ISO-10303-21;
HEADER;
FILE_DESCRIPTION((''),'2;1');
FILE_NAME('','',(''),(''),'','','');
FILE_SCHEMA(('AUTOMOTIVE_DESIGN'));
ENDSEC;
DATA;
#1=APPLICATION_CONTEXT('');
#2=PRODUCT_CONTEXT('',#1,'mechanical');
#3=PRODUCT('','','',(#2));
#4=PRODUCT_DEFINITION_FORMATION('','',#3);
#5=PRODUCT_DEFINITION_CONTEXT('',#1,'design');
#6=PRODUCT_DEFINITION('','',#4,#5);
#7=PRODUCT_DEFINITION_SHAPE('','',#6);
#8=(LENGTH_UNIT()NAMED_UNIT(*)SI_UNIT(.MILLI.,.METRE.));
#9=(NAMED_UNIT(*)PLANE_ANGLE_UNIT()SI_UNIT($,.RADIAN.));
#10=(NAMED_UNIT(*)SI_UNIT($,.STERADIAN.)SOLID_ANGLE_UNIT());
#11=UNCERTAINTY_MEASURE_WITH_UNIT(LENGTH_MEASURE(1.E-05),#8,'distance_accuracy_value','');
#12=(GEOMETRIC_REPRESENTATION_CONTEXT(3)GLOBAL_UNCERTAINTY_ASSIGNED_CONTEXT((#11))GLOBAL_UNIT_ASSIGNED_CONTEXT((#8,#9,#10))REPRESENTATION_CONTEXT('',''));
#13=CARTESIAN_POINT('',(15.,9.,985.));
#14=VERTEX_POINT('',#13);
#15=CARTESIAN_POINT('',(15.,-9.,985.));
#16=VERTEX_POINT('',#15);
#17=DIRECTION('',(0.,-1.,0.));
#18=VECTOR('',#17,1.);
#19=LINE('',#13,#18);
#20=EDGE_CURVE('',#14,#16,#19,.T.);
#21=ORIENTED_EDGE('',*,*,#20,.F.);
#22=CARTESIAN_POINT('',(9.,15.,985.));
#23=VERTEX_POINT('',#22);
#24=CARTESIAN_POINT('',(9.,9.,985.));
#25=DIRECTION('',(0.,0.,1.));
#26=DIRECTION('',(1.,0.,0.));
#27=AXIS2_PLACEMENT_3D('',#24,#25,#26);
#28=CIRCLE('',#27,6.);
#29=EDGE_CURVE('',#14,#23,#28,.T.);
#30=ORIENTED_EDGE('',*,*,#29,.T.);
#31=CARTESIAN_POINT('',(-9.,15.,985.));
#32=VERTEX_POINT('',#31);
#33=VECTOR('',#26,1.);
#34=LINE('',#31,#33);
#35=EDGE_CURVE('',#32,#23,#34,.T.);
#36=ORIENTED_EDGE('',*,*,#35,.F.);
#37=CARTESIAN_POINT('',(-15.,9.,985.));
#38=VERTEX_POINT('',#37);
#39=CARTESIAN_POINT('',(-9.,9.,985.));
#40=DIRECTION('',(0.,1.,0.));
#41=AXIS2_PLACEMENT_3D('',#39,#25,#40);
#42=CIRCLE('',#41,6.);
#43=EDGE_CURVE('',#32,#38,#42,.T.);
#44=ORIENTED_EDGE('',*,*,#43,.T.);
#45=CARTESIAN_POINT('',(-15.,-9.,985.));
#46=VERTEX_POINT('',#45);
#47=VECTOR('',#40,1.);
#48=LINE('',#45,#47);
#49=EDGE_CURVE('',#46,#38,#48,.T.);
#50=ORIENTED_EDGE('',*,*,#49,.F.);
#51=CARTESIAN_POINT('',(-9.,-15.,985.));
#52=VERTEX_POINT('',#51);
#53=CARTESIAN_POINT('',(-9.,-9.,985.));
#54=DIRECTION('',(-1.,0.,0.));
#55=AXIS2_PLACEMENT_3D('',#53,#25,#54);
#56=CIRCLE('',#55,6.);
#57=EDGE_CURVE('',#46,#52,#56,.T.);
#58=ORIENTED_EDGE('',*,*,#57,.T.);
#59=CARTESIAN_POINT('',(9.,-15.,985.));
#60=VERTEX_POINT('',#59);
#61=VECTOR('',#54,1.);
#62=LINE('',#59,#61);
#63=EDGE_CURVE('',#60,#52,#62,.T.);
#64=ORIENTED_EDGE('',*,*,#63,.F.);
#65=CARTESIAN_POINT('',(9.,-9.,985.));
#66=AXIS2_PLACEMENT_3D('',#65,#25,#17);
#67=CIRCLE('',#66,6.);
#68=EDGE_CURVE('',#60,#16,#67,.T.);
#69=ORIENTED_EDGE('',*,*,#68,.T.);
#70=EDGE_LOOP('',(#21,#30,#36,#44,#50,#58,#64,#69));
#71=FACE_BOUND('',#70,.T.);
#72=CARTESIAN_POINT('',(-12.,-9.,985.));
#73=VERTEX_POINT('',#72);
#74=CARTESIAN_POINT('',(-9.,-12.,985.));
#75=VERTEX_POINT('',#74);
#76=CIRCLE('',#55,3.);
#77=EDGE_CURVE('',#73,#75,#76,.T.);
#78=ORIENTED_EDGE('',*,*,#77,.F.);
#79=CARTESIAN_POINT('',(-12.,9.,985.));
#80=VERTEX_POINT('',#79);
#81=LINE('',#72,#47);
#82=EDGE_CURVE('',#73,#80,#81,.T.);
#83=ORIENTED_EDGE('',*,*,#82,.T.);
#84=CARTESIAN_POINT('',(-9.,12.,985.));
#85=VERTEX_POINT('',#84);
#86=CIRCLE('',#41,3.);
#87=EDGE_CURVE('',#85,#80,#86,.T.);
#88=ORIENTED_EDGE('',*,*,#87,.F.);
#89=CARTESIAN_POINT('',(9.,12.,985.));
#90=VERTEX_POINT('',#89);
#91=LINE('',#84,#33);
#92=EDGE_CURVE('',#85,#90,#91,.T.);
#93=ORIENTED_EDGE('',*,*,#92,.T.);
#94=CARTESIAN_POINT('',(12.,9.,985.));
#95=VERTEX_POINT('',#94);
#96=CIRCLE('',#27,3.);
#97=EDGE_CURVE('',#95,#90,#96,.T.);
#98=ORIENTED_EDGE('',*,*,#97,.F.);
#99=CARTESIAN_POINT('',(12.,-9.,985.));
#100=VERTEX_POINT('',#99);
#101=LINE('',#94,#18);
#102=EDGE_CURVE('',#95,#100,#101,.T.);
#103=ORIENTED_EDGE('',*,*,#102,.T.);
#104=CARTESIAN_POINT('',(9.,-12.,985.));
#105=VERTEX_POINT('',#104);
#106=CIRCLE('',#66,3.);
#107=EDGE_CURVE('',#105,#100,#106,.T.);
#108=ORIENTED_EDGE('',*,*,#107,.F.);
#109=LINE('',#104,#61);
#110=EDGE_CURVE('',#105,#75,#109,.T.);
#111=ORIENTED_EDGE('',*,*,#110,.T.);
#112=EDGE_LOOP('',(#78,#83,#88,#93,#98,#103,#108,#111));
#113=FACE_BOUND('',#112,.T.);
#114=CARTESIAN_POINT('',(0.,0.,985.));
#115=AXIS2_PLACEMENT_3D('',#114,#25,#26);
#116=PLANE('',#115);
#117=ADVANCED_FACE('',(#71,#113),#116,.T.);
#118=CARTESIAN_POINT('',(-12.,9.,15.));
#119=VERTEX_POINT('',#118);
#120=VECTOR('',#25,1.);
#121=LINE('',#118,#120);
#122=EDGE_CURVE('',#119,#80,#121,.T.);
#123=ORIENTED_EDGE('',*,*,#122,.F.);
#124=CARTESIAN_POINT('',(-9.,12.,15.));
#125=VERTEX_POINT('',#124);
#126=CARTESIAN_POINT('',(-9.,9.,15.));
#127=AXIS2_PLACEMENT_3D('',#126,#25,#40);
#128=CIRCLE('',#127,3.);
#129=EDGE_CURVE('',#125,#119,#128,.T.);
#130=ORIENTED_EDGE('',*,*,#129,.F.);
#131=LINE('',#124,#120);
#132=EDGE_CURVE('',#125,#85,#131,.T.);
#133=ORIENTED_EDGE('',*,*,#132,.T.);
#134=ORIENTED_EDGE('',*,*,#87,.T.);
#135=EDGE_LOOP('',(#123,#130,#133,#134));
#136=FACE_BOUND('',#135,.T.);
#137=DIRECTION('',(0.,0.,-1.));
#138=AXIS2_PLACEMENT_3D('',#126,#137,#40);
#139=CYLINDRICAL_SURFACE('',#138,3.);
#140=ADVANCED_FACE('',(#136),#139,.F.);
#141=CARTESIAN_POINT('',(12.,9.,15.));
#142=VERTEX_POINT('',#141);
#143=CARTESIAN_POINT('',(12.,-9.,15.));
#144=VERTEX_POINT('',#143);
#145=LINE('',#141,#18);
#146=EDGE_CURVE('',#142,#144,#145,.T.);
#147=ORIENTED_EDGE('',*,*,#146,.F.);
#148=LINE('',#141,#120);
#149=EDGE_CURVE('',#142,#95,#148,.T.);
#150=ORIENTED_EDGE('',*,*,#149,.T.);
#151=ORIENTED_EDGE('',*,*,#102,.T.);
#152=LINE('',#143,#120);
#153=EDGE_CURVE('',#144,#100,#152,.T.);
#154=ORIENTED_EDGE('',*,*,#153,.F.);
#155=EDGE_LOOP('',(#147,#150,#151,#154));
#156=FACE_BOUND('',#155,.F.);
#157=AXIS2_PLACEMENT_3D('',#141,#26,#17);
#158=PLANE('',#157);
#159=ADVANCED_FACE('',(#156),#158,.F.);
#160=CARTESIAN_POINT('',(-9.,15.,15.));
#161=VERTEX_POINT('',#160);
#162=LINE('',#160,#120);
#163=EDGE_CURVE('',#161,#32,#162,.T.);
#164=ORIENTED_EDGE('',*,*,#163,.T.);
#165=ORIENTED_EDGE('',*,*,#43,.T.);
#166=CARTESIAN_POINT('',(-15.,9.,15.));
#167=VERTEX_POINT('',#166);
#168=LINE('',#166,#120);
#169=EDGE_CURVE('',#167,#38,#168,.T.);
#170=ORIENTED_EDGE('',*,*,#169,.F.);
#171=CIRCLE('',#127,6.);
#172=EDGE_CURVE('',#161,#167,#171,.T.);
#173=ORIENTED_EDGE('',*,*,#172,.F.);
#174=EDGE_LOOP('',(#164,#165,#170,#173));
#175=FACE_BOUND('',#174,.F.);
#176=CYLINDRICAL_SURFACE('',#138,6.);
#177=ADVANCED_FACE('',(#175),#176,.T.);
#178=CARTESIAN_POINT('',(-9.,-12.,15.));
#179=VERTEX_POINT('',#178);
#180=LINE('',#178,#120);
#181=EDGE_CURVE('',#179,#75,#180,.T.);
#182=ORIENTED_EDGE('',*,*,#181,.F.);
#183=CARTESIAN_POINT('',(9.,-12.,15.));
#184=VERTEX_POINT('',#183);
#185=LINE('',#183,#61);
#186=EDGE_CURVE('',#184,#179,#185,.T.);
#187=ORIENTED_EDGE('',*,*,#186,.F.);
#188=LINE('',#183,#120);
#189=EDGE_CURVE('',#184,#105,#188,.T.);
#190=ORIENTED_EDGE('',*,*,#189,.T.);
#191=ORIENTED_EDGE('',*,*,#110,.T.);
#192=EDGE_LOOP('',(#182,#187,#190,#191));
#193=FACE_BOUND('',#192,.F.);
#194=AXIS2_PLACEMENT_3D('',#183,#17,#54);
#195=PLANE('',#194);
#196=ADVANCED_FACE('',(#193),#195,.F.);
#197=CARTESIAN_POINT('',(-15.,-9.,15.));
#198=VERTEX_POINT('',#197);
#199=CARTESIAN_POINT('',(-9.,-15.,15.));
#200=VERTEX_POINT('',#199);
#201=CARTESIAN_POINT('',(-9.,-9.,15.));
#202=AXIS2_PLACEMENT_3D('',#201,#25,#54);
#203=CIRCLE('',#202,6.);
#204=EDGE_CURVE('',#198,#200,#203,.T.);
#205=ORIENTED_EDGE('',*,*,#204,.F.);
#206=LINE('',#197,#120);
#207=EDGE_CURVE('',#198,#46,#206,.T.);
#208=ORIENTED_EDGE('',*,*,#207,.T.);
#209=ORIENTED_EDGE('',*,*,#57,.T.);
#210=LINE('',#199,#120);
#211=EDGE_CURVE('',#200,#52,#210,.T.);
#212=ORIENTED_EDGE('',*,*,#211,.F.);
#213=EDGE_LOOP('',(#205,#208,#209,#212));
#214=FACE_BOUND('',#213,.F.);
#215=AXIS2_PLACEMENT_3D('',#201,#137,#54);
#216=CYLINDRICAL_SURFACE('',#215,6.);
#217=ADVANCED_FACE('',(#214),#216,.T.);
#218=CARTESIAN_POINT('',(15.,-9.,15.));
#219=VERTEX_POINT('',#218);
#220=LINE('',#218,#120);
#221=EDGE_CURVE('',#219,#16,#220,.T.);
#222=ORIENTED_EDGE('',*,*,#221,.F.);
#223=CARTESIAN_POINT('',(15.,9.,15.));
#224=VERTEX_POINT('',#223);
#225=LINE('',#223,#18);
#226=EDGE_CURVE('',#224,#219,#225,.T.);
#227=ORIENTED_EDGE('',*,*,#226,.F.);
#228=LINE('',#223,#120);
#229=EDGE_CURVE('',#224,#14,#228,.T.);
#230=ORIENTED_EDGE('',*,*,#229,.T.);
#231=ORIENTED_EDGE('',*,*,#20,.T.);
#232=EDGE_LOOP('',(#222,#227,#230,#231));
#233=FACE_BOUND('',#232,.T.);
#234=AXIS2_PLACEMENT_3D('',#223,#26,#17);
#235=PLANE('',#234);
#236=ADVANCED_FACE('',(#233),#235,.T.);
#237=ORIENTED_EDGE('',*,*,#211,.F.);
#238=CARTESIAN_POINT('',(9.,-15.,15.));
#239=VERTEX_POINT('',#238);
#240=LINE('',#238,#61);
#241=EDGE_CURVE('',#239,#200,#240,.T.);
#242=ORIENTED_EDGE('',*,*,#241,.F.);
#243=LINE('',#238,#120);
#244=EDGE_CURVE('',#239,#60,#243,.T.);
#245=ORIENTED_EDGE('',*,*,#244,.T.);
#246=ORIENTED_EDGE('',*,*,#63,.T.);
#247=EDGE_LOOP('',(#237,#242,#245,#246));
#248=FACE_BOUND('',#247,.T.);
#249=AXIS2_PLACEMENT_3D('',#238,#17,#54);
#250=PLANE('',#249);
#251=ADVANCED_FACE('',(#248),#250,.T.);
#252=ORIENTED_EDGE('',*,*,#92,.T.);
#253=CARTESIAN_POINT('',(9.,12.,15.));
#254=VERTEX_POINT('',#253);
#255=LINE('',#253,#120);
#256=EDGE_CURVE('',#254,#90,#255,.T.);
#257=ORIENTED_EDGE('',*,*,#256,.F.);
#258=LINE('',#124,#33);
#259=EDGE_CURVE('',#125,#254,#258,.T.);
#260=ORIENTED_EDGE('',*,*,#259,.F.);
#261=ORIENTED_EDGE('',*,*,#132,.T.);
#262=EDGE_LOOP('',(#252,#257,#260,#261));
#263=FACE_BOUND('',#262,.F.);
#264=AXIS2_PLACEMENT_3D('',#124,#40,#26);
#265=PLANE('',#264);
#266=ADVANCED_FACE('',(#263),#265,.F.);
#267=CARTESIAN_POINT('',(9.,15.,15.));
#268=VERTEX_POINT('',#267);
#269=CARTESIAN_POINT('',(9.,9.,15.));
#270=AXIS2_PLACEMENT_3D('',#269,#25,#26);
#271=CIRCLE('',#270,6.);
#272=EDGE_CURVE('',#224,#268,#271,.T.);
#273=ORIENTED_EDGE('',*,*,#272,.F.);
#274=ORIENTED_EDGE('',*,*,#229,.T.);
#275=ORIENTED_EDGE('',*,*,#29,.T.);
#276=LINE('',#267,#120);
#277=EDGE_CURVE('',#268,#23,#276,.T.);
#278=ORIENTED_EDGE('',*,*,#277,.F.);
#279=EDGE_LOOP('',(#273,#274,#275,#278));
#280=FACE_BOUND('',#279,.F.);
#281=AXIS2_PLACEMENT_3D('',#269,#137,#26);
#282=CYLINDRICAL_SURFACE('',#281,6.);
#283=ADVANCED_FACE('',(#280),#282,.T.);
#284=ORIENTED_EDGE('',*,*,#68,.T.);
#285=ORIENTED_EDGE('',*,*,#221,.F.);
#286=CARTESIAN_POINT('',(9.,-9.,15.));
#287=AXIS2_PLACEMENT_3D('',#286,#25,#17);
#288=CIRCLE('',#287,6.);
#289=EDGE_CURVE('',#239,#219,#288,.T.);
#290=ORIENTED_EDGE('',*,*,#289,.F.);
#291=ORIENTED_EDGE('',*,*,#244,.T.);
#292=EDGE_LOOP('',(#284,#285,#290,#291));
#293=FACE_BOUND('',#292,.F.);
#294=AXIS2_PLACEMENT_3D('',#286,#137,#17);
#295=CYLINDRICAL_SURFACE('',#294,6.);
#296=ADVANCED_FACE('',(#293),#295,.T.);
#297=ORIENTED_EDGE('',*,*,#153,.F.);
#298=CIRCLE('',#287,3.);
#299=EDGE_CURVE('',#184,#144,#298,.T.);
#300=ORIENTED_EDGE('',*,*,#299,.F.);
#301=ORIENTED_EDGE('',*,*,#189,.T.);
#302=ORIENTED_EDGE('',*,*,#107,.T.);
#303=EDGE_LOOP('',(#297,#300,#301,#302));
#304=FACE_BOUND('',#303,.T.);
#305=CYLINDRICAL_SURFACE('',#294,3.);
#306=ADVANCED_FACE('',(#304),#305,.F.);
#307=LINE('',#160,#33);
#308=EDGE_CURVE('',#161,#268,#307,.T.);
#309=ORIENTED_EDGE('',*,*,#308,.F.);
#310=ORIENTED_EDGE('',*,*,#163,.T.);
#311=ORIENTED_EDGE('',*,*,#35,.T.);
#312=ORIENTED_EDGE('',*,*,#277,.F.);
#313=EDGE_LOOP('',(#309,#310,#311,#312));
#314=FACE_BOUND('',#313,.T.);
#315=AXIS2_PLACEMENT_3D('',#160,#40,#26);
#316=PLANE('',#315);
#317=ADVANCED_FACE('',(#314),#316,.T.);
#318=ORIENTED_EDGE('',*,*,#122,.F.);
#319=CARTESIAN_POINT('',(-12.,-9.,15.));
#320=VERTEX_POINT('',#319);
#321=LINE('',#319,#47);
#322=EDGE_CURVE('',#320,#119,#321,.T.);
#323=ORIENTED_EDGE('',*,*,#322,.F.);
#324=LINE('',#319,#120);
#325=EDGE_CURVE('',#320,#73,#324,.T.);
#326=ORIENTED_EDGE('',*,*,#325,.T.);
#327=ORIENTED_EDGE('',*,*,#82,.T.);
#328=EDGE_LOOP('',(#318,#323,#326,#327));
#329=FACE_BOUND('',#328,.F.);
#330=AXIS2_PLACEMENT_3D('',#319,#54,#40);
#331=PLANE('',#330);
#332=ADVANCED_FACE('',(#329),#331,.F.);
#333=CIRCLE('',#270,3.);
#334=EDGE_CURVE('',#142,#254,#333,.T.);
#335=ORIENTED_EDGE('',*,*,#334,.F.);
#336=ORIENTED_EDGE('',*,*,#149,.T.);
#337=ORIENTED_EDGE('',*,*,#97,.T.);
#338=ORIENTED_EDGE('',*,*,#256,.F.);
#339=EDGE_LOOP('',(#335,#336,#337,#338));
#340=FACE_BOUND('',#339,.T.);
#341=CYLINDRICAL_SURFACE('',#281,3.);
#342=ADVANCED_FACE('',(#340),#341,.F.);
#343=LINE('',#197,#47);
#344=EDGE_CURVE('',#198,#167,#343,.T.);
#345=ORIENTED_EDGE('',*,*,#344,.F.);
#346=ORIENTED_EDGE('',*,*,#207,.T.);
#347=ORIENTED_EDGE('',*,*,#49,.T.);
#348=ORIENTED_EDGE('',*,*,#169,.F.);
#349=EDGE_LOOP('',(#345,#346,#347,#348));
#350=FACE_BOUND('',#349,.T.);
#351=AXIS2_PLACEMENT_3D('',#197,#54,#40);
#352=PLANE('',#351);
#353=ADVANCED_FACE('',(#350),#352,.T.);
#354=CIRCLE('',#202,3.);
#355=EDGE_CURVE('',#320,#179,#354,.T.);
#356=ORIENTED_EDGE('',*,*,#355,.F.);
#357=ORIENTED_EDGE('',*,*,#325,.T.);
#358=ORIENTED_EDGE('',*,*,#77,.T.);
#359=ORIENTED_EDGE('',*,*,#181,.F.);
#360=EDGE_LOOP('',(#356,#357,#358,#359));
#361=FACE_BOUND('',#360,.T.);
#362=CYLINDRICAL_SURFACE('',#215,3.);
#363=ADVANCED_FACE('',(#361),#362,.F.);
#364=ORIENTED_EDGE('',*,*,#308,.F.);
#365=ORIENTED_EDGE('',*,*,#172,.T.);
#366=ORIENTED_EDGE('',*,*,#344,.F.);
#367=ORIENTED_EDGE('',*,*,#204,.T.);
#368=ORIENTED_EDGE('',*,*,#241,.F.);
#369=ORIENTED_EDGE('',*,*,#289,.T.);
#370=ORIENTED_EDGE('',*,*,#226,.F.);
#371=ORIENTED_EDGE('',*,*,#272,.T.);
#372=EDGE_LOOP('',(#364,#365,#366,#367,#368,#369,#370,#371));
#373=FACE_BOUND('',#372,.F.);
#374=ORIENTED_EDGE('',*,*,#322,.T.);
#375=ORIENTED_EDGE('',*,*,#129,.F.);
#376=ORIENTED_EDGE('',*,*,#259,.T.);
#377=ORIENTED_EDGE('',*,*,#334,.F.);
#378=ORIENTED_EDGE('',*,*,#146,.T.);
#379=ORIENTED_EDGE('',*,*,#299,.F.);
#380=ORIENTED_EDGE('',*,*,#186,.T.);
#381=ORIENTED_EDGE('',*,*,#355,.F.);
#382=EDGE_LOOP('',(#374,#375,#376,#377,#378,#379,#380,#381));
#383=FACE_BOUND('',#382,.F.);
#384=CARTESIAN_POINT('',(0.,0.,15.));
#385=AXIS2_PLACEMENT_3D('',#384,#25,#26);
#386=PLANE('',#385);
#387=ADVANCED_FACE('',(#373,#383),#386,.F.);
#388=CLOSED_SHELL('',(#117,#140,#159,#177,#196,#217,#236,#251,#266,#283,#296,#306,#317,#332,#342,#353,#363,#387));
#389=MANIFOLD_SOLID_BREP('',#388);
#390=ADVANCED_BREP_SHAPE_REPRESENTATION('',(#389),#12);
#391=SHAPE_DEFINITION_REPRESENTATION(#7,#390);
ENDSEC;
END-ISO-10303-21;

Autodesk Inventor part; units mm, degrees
ref_plane "Start Plane" through (0, 0, 15) normal (0, 0, 1) x (1, 0, 0)
ref_plane "End Plane" through (0, 0, 985) normal (0, 0, 1) x (1, 0, 0)
sketch "Sketch" plane through (0, 0, 0) normal (0, 0, 1) x (1, 0, 0)
  line L0 (-15, -9) -> (-15, 9)
  line L1 (-9, 15) -> (9, 15)
  line L2 (15, 9) -> (15, -9)
  line L3 (9, -15) -> (-9, -15)
  arc A0 (-15, -9) -> (-9, -15) centre (-9, -9) ccw
  arc A1 (-9, 15) -> (-15, 9) centre (-9, 9) ccw
  arc A2 (15, 9) -> (9, 15) centre (9, 9) ccw
  arc A3 (9, -15) -> (15, -9) centre (9, -9) ccw
  arc A4 (-9, 12) -> (-12, 9) centre (-9, 9) ccw
  line L4 (-9, 12) -> (9, 12)
  arc A5 (12, 9) -> (9, 12) centre (9, 9) ccw
  line L5 (12, 9) -> (12, -9)
  arc A6 (9, -12) -> (12, -9) centre (9, -9) ccw
  line L6 (9, -12) -> (-9, -12)
  arc A7 (-12, -9) -> (-9, -12) centre (-9, -9) ccw
  line L7 (-12, -9) -> (-12, 9)
  line L8 (0, 22.7397) -> (0, -22.7397) construction
  line L9 (-22.7397, 0) -> (22.7397, 0) construction
  dimension "d7" = 6
  dimension "d10" = 30
  dimension "d11" = 30
  dimension "d12" = 3
  dimension "d15" = 15
  dimension "d16" = 15
extrude "Body" add sketch "Sketch" along normal up to surface (970 mm away) from surface at 15
sketch "Sketch3" plane through (0, 0, 0) normal (0, 0, 1) x (1, 0, 0)
  line L0 (0, 0) -> (10, 0)
ref_plane "Work Plane3" through (0, 0, 0) normal (0, -1, 0) x (1, 0, 0)
ref_plane "Work Plane4" through (-9, -2887, 15) normal (0, 0, -1) x (-1, 0, 0)
split "Split1" plane through (-9, -2887, 15) removes the side toward (0, 0, -1)
ref_plane "Work Plane5" through (9, -2887, 985) normal (0, 0, 1) x (1, 0, 0)
split "Split2" plane through (9, -2887, 985) removes the side toward (0, 0, 1)
sketch "Sketch4" plane through (0, 0, 0) normal (0, -1, 0) x (1, 0, 0)
  line L0 (-2, 15) -> (12, 15) projected
  line L1 (-2, 985) -> (12, 985) projected
  dimension "d18" = 970
equation "\"d7\" = G_IR"
equation "\"d10\" = G_H"
equation "\"d11\" = G_W"
equation "\"d12\" = G_T"
equation "\"d15\" = 0.5 * d10"
equation "\"d16\" = 0.5 * d11"
equation "\"d3\" = G_L"
equation "\"G_W\" = 30"
equation "\"G_H\" = 30"
equation "\"G_T\" = 3"
equation "\"G_IR\" = 6"
equation "\"G_L\" = d18"
equation "\"G_OFFSET_START\" = -15"
equation "\"G_OFFSET_END\" = -15"
equation "\"d13\" = -G_OFFSET_START"
equation "\"d14\" = G_OFFSET_END + B_L"
equation "\"B_L\" = 1000"
properties part number "DIN EN 10219-2 - 30 x 30 x 3  - 970" material "Steel, Mild"
